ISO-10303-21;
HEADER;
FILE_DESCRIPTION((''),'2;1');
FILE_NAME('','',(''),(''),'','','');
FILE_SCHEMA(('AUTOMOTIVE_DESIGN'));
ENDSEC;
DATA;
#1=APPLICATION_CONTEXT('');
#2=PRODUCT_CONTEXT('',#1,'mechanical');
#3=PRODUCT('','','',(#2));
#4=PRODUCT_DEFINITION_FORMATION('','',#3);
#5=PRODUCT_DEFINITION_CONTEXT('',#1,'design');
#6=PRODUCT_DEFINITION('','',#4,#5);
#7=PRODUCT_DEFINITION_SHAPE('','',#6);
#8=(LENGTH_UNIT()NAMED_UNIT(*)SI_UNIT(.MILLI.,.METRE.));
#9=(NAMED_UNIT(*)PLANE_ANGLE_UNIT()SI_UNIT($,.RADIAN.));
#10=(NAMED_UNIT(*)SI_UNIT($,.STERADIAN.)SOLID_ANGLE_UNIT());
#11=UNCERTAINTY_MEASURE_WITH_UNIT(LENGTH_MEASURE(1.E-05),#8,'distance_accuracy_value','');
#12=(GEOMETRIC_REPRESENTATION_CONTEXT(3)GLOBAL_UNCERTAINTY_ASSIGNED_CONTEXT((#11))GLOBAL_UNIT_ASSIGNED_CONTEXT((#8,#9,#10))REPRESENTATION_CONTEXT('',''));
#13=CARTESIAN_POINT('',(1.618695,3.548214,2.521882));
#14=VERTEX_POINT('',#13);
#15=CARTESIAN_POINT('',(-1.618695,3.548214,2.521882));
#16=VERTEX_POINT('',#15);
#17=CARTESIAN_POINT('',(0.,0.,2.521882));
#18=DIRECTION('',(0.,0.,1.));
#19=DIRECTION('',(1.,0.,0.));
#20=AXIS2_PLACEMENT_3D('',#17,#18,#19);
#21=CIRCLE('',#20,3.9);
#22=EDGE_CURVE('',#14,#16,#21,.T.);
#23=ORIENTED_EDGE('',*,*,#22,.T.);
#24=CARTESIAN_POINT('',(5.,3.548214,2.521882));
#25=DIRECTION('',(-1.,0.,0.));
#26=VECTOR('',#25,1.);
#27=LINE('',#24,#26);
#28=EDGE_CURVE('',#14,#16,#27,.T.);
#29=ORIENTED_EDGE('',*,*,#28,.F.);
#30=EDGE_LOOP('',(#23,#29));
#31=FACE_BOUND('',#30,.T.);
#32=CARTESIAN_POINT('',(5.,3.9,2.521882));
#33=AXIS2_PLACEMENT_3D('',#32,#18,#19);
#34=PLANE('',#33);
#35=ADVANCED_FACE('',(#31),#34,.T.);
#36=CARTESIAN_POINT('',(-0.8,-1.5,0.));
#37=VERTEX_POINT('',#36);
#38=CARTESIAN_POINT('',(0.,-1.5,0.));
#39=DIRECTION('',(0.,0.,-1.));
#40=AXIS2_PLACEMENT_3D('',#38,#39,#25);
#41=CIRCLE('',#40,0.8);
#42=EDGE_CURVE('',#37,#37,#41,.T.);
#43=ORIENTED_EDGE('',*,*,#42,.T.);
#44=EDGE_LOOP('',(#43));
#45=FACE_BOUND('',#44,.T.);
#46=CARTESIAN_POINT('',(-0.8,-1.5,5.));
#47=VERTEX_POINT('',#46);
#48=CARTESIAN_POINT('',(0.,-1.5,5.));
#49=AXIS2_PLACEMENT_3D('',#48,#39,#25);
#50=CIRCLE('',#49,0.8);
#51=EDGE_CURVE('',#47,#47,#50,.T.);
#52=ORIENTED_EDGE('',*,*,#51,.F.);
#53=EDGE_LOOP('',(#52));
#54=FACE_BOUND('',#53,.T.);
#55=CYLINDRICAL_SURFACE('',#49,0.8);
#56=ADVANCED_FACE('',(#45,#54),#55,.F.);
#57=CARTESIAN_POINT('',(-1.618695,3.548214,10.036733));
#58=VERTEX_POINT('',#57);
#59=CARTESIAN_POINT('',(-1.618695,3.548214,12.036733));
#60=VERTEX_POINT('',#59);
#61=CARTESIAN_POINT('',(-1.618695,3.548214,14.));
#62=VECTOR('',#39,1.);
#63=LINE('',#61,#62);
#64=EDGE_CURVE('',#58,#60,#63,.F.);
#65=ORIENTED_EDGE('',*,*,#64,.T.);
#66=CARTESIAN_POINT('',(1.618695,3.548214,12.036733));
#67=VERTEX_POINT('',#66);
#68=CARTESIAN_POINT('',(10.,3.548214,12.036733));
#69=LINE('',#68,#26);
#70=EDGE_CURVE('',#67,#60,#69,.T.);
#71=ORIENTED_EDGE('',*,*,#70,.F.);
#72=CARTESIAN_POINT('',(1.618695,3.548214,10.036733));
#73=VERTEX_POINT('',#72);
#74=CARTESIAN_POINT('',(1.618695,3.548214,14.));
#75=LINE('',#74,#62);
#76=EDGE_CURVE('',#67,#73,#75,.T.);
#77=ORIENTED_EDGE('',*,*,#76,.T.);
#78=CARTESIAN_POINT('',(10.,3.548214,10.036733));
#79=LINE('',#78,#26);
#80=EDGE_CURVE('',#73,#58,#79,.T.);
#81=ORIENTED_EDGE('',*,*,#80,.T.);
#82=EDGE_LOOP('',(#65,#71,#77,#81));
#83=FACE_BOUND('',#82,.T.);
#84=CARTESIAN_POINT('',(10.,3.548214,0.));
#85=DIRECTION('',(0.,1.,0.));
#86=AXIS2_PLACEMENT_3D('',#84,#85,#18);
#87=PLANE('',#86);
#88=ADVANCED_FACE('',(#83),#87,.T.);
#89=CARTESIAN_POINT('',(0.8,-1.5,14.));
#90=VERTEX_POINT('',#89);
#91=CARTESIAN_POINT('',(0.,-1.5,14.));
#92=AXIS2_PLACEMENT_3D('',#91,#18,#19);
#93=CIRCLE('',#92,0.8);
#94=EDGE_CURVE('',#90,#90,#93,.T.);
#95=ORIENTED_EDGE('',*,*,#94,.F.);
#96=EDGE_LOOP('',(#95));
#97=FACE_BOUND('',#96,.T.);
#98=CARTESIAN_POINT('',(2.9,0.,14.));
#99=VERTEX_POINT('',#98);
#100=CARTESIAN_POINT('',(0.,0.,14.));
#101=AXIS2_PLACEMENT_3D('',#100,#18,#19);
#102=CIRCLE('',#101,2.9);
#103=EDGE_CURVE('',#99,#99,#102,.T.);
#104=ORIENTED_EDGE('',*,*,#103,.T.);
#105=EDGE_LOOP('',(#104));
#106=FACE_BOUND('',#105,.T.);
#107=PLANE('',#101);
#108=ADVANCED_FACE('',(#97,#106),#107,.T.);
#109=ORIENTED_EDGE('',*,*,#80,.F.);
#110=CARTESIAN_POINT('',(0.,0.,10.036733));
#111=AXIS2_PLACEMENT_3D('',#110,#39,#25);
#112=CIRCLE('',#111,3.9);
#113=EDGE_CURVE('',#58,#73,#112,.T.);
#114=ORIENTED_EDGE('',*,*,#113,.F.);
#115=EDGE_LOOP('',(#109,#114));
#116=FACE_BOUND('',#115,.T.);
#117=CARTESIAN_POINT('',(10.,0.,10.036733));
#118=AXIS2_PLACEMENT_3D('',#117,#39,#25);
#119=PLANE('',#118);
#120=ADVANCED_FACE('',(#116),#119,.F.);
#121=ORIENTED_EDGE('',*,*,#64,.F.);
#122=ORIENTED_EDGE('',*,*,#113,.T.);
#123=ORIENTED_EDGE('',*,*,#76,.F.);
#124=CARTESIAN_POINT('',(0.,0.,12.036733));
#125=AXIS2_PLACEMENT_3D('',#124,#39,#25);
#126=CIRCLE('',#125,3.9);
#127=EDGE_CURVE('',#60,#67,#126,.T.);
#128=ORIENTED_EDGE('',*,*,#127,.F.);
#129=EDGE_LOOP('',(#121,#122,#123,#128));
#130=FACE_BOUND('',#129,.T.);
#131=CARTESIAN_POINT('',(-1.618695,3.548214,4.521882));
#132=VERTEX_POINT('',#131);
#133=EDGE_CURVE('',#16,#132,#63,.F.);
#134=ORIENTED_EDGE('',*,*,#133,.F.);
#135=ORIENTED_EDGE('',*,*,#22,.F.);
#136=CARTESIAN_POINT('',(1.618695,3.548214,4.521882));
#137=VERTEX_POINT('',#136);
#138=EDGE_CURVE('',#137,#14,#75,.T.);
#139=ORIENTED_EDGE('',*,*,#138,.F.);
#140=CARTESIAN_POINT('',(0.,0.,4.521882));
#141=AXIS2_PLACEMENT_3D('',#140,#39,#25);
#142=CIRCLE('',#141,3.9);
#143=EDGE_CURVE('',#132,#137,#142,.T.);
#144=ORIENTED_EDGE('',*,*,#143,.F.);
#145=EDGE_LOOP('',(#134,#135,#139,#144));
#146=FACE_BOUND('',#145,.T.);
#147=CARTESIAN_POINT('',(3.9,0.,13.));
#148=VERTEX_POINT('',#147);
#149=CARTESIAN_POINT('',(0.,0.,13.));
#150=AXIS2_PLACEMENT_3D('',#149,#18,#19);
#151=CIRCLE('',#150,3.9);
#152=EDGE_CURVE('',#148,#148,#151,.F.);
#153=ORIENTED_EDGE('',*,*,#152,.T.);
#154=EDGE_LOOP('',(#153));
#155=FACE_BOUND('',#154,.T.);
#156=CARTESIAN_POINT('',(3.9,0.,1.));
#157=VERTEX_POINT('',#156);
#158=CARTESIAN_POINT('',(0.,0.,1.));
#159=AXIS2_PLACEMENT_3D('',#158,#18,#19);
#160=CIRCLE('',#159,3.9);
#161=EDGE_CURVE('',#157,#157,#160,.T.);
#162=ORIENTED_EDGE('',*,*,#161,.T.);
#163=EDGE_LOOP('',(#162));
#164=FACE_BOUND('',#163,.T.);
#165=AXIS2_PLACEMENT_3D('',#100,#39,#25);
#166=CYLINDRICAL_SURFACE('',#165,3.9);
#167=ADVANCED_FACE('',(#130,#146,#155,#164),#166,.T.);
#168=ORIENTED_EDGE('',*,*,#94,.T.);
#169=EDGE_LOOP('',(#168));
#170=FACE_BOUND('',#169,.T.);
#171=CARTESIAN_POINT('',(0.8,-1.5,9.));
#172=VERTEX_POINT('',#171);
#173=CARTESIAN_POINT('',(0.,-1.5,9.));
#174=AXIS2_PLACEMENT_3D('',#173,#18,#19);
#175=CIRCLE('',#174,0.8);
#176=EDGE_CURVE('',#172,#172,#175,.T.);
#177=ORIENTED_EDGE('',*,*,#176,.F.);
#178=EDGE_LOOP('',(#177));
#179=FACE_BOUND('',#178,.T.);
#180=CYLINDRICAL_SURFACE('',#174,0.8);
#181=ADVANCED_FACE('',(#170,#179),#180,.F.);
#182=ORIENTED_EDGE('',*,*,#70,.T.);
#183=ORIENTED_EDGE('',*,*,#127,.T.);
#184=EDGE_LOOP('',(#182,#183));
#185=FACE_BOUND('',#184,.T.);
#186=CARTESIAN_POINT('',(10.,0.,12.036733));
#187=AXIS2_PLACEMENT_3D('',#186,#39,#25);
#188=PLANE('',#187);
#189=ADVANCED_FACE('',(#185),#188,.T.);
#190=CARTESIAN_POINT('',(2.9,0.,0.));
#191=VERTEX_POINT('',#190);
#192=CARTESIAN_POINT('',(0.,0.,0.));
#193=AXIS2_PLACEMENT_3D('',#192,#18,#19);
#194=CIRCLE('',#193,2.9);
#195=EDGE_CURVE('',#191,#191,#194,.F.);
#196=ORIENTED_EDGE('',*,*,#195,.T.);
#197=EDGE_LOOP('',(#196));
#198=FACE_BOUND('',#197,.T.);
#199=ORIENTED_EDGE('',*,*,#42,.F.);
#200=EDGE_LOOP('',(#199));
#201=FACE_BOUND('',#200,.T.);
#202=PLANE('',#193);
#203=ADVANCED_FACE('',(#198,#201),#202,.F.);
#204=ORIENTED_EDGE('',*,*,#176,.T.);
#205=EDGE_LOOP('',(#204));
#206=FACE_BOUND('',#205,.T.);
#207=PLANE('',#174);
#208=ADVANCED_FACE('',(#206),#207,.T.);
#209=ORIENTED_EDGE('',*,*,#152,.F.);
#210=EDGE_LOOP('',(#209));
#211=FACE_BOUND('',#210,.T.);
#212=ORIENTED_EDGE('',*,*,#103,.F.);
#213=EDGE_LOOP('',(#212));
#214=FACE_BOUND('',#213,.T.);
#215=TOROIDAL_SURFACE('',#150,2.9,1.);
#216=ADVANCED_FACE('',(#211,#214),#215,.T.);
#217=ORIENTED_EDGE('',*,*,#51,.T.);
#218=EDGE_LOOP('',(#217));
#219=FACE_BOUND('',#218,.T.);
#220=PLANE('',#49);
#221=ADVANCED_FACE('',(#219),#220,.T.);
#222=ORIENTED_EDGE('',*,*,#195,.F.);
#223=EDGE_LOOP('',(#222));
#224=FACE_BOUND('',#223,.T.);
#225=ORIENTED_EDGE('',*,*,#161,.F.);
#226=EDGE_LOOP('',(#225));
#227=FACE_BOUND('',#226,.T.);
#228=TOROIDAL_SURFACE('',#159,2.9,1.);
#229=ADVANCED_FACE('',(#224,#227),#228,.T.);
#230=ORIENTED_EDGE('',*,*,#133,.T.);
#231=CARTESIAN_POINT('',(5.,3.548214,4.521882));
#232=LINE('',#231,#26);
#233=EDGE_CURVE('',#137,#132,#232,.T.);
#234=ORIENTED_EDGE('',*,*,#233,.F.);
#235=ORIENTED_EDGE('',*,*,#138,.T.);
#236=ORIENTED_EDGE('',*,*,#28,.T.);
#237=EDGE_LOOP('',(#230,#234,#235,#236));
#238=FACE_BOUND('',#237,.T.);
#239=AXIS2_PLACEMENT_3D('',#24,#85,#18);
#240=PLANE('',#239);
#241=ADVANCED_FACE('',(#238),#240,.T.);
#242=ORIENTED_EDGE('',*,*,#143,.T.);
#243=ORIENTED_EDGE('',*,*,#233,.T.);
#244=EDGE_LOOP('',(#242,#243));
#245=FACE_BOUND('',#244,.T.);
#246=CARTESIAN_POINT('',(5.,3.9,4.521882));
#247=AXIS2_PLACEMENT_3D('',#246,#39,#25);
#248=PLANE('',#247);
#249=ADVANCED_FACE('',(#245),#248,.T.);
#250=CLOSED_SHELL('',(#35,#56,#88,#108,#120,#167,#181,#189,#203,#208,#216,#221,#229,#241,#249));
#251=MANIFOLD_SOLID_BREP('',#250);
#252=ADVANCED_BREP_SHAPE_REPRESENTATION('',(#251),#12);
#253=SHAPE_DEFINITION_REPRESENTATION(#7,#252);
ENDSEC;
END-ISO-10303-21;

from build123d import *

# Parameters (mm, degrees)
SKETCH1_R               = 3.9
BOSS_EXTRUDE1_DEPTH     = 14
FILLET1_R               = 1
SKETCH2_R               = 0.8
CUT_EXTRUDE1_DEPTH      = 5
CUT_EXTRUDE2_START      = -5
SKETCH3_R               = 0.8
CUT_EXTRUDE2_DEPTH      = 5
CUT_EXTRUDE3_DEPTH      = 5
CUT_EXTRUDE3_DEPTH_BACK = 5
SKETCH4_W               = 2
SKETCH4_H               = 0.351785614
CUT_EXTRUDE4_DEPTH      = 10
CUT_EXTRUDE4_DEPTH_BACK = 10
SKETCH7_W               = 2
SKETCH7_H               = 1.401254955


with BuildPart() as part:
    # Sketch1 → Boss-Extrude1 (new body)
    with BuildSketch(Plane.XY):
        Circle(SKETCH1_R)
    extrude(amount=BOSS_EXTRUDE1_DEPTH)

    # Fillet1
    fillet1_edges = [part.edges().sort_by_distance(p)[0] for p in [
        (-3.9, 0, 14),
        (-3.9, 0, 0),
    ]]
    fillet(fillet1_edges, radius=FILLET1_R)

    # Sketch2 → Cut-Extrude1 (cut)
    with BuildSketch(Plane.XY.offset(14)):
        with Locations((0, -1.5)):
            Circle(SKETCH2_R)
    extrude(amount=-CUT_EXTRUDE1_DEPTH, mode=Mode.SUBTRACT)

    # Sketch3 → Cut-Extrude2 (cut)
    with BuildSketch(Plane(origin=(0, 0, 0), x_dir=(-1, 0, 0), z_dir=(0, 0, -1)).offset(CUT_EXTRUDE2_START)):
        with Locations((0, -1.5)):
            Circle(SKETCH3_R)
    extrude(amount=CUT_EXTRUDE2_DEPTH, mode=Mode.SUBTRACT)

    # Sketch4 → Cut-Extrude3 (cut, two sides: drawn at the far end of the back side and taken through both)
    with BuildSketch(Plane(origin=(0, 0, 0), x_dir=(0, 0, -1), z_dir=(1, 0, 0)).offset(-CUT_EXTRUDE3_DEPTH_BACK)):
        with Locations((-3.521882016, 3.724107193)):
            Rectangle(SKETCH4_W, SKETCH4_H)
    extrude(amount=CUT_EXTRUDE3_DEPTH + CUT_EXTRUDE3_DEPTH_BACK, mode=Mode.SUBTRACT)

    # Sketch7 → Cut-Extrude4 (cut, two sides: drawn at the far end of the back side and taken through both)
    with BuildSketch(Plane(origin=(0, 0, 0), x_dir=(0, 0, -1), z_dir=(1, 0, 0)).offset(-CUT_EXTRUDE4_DEPTH_BACK)):
        with Locations((-11.03673309, 4.248841864)):
            Rectangle(SKETCH7_W, SKETCH7_H)
    extrude(amount=CUT_EXTRUDE4_DEPTH + CUT_EXTRUDE4_DEPTH_BACK, mode=Mode.SUBTRACT)


solid = part.part
